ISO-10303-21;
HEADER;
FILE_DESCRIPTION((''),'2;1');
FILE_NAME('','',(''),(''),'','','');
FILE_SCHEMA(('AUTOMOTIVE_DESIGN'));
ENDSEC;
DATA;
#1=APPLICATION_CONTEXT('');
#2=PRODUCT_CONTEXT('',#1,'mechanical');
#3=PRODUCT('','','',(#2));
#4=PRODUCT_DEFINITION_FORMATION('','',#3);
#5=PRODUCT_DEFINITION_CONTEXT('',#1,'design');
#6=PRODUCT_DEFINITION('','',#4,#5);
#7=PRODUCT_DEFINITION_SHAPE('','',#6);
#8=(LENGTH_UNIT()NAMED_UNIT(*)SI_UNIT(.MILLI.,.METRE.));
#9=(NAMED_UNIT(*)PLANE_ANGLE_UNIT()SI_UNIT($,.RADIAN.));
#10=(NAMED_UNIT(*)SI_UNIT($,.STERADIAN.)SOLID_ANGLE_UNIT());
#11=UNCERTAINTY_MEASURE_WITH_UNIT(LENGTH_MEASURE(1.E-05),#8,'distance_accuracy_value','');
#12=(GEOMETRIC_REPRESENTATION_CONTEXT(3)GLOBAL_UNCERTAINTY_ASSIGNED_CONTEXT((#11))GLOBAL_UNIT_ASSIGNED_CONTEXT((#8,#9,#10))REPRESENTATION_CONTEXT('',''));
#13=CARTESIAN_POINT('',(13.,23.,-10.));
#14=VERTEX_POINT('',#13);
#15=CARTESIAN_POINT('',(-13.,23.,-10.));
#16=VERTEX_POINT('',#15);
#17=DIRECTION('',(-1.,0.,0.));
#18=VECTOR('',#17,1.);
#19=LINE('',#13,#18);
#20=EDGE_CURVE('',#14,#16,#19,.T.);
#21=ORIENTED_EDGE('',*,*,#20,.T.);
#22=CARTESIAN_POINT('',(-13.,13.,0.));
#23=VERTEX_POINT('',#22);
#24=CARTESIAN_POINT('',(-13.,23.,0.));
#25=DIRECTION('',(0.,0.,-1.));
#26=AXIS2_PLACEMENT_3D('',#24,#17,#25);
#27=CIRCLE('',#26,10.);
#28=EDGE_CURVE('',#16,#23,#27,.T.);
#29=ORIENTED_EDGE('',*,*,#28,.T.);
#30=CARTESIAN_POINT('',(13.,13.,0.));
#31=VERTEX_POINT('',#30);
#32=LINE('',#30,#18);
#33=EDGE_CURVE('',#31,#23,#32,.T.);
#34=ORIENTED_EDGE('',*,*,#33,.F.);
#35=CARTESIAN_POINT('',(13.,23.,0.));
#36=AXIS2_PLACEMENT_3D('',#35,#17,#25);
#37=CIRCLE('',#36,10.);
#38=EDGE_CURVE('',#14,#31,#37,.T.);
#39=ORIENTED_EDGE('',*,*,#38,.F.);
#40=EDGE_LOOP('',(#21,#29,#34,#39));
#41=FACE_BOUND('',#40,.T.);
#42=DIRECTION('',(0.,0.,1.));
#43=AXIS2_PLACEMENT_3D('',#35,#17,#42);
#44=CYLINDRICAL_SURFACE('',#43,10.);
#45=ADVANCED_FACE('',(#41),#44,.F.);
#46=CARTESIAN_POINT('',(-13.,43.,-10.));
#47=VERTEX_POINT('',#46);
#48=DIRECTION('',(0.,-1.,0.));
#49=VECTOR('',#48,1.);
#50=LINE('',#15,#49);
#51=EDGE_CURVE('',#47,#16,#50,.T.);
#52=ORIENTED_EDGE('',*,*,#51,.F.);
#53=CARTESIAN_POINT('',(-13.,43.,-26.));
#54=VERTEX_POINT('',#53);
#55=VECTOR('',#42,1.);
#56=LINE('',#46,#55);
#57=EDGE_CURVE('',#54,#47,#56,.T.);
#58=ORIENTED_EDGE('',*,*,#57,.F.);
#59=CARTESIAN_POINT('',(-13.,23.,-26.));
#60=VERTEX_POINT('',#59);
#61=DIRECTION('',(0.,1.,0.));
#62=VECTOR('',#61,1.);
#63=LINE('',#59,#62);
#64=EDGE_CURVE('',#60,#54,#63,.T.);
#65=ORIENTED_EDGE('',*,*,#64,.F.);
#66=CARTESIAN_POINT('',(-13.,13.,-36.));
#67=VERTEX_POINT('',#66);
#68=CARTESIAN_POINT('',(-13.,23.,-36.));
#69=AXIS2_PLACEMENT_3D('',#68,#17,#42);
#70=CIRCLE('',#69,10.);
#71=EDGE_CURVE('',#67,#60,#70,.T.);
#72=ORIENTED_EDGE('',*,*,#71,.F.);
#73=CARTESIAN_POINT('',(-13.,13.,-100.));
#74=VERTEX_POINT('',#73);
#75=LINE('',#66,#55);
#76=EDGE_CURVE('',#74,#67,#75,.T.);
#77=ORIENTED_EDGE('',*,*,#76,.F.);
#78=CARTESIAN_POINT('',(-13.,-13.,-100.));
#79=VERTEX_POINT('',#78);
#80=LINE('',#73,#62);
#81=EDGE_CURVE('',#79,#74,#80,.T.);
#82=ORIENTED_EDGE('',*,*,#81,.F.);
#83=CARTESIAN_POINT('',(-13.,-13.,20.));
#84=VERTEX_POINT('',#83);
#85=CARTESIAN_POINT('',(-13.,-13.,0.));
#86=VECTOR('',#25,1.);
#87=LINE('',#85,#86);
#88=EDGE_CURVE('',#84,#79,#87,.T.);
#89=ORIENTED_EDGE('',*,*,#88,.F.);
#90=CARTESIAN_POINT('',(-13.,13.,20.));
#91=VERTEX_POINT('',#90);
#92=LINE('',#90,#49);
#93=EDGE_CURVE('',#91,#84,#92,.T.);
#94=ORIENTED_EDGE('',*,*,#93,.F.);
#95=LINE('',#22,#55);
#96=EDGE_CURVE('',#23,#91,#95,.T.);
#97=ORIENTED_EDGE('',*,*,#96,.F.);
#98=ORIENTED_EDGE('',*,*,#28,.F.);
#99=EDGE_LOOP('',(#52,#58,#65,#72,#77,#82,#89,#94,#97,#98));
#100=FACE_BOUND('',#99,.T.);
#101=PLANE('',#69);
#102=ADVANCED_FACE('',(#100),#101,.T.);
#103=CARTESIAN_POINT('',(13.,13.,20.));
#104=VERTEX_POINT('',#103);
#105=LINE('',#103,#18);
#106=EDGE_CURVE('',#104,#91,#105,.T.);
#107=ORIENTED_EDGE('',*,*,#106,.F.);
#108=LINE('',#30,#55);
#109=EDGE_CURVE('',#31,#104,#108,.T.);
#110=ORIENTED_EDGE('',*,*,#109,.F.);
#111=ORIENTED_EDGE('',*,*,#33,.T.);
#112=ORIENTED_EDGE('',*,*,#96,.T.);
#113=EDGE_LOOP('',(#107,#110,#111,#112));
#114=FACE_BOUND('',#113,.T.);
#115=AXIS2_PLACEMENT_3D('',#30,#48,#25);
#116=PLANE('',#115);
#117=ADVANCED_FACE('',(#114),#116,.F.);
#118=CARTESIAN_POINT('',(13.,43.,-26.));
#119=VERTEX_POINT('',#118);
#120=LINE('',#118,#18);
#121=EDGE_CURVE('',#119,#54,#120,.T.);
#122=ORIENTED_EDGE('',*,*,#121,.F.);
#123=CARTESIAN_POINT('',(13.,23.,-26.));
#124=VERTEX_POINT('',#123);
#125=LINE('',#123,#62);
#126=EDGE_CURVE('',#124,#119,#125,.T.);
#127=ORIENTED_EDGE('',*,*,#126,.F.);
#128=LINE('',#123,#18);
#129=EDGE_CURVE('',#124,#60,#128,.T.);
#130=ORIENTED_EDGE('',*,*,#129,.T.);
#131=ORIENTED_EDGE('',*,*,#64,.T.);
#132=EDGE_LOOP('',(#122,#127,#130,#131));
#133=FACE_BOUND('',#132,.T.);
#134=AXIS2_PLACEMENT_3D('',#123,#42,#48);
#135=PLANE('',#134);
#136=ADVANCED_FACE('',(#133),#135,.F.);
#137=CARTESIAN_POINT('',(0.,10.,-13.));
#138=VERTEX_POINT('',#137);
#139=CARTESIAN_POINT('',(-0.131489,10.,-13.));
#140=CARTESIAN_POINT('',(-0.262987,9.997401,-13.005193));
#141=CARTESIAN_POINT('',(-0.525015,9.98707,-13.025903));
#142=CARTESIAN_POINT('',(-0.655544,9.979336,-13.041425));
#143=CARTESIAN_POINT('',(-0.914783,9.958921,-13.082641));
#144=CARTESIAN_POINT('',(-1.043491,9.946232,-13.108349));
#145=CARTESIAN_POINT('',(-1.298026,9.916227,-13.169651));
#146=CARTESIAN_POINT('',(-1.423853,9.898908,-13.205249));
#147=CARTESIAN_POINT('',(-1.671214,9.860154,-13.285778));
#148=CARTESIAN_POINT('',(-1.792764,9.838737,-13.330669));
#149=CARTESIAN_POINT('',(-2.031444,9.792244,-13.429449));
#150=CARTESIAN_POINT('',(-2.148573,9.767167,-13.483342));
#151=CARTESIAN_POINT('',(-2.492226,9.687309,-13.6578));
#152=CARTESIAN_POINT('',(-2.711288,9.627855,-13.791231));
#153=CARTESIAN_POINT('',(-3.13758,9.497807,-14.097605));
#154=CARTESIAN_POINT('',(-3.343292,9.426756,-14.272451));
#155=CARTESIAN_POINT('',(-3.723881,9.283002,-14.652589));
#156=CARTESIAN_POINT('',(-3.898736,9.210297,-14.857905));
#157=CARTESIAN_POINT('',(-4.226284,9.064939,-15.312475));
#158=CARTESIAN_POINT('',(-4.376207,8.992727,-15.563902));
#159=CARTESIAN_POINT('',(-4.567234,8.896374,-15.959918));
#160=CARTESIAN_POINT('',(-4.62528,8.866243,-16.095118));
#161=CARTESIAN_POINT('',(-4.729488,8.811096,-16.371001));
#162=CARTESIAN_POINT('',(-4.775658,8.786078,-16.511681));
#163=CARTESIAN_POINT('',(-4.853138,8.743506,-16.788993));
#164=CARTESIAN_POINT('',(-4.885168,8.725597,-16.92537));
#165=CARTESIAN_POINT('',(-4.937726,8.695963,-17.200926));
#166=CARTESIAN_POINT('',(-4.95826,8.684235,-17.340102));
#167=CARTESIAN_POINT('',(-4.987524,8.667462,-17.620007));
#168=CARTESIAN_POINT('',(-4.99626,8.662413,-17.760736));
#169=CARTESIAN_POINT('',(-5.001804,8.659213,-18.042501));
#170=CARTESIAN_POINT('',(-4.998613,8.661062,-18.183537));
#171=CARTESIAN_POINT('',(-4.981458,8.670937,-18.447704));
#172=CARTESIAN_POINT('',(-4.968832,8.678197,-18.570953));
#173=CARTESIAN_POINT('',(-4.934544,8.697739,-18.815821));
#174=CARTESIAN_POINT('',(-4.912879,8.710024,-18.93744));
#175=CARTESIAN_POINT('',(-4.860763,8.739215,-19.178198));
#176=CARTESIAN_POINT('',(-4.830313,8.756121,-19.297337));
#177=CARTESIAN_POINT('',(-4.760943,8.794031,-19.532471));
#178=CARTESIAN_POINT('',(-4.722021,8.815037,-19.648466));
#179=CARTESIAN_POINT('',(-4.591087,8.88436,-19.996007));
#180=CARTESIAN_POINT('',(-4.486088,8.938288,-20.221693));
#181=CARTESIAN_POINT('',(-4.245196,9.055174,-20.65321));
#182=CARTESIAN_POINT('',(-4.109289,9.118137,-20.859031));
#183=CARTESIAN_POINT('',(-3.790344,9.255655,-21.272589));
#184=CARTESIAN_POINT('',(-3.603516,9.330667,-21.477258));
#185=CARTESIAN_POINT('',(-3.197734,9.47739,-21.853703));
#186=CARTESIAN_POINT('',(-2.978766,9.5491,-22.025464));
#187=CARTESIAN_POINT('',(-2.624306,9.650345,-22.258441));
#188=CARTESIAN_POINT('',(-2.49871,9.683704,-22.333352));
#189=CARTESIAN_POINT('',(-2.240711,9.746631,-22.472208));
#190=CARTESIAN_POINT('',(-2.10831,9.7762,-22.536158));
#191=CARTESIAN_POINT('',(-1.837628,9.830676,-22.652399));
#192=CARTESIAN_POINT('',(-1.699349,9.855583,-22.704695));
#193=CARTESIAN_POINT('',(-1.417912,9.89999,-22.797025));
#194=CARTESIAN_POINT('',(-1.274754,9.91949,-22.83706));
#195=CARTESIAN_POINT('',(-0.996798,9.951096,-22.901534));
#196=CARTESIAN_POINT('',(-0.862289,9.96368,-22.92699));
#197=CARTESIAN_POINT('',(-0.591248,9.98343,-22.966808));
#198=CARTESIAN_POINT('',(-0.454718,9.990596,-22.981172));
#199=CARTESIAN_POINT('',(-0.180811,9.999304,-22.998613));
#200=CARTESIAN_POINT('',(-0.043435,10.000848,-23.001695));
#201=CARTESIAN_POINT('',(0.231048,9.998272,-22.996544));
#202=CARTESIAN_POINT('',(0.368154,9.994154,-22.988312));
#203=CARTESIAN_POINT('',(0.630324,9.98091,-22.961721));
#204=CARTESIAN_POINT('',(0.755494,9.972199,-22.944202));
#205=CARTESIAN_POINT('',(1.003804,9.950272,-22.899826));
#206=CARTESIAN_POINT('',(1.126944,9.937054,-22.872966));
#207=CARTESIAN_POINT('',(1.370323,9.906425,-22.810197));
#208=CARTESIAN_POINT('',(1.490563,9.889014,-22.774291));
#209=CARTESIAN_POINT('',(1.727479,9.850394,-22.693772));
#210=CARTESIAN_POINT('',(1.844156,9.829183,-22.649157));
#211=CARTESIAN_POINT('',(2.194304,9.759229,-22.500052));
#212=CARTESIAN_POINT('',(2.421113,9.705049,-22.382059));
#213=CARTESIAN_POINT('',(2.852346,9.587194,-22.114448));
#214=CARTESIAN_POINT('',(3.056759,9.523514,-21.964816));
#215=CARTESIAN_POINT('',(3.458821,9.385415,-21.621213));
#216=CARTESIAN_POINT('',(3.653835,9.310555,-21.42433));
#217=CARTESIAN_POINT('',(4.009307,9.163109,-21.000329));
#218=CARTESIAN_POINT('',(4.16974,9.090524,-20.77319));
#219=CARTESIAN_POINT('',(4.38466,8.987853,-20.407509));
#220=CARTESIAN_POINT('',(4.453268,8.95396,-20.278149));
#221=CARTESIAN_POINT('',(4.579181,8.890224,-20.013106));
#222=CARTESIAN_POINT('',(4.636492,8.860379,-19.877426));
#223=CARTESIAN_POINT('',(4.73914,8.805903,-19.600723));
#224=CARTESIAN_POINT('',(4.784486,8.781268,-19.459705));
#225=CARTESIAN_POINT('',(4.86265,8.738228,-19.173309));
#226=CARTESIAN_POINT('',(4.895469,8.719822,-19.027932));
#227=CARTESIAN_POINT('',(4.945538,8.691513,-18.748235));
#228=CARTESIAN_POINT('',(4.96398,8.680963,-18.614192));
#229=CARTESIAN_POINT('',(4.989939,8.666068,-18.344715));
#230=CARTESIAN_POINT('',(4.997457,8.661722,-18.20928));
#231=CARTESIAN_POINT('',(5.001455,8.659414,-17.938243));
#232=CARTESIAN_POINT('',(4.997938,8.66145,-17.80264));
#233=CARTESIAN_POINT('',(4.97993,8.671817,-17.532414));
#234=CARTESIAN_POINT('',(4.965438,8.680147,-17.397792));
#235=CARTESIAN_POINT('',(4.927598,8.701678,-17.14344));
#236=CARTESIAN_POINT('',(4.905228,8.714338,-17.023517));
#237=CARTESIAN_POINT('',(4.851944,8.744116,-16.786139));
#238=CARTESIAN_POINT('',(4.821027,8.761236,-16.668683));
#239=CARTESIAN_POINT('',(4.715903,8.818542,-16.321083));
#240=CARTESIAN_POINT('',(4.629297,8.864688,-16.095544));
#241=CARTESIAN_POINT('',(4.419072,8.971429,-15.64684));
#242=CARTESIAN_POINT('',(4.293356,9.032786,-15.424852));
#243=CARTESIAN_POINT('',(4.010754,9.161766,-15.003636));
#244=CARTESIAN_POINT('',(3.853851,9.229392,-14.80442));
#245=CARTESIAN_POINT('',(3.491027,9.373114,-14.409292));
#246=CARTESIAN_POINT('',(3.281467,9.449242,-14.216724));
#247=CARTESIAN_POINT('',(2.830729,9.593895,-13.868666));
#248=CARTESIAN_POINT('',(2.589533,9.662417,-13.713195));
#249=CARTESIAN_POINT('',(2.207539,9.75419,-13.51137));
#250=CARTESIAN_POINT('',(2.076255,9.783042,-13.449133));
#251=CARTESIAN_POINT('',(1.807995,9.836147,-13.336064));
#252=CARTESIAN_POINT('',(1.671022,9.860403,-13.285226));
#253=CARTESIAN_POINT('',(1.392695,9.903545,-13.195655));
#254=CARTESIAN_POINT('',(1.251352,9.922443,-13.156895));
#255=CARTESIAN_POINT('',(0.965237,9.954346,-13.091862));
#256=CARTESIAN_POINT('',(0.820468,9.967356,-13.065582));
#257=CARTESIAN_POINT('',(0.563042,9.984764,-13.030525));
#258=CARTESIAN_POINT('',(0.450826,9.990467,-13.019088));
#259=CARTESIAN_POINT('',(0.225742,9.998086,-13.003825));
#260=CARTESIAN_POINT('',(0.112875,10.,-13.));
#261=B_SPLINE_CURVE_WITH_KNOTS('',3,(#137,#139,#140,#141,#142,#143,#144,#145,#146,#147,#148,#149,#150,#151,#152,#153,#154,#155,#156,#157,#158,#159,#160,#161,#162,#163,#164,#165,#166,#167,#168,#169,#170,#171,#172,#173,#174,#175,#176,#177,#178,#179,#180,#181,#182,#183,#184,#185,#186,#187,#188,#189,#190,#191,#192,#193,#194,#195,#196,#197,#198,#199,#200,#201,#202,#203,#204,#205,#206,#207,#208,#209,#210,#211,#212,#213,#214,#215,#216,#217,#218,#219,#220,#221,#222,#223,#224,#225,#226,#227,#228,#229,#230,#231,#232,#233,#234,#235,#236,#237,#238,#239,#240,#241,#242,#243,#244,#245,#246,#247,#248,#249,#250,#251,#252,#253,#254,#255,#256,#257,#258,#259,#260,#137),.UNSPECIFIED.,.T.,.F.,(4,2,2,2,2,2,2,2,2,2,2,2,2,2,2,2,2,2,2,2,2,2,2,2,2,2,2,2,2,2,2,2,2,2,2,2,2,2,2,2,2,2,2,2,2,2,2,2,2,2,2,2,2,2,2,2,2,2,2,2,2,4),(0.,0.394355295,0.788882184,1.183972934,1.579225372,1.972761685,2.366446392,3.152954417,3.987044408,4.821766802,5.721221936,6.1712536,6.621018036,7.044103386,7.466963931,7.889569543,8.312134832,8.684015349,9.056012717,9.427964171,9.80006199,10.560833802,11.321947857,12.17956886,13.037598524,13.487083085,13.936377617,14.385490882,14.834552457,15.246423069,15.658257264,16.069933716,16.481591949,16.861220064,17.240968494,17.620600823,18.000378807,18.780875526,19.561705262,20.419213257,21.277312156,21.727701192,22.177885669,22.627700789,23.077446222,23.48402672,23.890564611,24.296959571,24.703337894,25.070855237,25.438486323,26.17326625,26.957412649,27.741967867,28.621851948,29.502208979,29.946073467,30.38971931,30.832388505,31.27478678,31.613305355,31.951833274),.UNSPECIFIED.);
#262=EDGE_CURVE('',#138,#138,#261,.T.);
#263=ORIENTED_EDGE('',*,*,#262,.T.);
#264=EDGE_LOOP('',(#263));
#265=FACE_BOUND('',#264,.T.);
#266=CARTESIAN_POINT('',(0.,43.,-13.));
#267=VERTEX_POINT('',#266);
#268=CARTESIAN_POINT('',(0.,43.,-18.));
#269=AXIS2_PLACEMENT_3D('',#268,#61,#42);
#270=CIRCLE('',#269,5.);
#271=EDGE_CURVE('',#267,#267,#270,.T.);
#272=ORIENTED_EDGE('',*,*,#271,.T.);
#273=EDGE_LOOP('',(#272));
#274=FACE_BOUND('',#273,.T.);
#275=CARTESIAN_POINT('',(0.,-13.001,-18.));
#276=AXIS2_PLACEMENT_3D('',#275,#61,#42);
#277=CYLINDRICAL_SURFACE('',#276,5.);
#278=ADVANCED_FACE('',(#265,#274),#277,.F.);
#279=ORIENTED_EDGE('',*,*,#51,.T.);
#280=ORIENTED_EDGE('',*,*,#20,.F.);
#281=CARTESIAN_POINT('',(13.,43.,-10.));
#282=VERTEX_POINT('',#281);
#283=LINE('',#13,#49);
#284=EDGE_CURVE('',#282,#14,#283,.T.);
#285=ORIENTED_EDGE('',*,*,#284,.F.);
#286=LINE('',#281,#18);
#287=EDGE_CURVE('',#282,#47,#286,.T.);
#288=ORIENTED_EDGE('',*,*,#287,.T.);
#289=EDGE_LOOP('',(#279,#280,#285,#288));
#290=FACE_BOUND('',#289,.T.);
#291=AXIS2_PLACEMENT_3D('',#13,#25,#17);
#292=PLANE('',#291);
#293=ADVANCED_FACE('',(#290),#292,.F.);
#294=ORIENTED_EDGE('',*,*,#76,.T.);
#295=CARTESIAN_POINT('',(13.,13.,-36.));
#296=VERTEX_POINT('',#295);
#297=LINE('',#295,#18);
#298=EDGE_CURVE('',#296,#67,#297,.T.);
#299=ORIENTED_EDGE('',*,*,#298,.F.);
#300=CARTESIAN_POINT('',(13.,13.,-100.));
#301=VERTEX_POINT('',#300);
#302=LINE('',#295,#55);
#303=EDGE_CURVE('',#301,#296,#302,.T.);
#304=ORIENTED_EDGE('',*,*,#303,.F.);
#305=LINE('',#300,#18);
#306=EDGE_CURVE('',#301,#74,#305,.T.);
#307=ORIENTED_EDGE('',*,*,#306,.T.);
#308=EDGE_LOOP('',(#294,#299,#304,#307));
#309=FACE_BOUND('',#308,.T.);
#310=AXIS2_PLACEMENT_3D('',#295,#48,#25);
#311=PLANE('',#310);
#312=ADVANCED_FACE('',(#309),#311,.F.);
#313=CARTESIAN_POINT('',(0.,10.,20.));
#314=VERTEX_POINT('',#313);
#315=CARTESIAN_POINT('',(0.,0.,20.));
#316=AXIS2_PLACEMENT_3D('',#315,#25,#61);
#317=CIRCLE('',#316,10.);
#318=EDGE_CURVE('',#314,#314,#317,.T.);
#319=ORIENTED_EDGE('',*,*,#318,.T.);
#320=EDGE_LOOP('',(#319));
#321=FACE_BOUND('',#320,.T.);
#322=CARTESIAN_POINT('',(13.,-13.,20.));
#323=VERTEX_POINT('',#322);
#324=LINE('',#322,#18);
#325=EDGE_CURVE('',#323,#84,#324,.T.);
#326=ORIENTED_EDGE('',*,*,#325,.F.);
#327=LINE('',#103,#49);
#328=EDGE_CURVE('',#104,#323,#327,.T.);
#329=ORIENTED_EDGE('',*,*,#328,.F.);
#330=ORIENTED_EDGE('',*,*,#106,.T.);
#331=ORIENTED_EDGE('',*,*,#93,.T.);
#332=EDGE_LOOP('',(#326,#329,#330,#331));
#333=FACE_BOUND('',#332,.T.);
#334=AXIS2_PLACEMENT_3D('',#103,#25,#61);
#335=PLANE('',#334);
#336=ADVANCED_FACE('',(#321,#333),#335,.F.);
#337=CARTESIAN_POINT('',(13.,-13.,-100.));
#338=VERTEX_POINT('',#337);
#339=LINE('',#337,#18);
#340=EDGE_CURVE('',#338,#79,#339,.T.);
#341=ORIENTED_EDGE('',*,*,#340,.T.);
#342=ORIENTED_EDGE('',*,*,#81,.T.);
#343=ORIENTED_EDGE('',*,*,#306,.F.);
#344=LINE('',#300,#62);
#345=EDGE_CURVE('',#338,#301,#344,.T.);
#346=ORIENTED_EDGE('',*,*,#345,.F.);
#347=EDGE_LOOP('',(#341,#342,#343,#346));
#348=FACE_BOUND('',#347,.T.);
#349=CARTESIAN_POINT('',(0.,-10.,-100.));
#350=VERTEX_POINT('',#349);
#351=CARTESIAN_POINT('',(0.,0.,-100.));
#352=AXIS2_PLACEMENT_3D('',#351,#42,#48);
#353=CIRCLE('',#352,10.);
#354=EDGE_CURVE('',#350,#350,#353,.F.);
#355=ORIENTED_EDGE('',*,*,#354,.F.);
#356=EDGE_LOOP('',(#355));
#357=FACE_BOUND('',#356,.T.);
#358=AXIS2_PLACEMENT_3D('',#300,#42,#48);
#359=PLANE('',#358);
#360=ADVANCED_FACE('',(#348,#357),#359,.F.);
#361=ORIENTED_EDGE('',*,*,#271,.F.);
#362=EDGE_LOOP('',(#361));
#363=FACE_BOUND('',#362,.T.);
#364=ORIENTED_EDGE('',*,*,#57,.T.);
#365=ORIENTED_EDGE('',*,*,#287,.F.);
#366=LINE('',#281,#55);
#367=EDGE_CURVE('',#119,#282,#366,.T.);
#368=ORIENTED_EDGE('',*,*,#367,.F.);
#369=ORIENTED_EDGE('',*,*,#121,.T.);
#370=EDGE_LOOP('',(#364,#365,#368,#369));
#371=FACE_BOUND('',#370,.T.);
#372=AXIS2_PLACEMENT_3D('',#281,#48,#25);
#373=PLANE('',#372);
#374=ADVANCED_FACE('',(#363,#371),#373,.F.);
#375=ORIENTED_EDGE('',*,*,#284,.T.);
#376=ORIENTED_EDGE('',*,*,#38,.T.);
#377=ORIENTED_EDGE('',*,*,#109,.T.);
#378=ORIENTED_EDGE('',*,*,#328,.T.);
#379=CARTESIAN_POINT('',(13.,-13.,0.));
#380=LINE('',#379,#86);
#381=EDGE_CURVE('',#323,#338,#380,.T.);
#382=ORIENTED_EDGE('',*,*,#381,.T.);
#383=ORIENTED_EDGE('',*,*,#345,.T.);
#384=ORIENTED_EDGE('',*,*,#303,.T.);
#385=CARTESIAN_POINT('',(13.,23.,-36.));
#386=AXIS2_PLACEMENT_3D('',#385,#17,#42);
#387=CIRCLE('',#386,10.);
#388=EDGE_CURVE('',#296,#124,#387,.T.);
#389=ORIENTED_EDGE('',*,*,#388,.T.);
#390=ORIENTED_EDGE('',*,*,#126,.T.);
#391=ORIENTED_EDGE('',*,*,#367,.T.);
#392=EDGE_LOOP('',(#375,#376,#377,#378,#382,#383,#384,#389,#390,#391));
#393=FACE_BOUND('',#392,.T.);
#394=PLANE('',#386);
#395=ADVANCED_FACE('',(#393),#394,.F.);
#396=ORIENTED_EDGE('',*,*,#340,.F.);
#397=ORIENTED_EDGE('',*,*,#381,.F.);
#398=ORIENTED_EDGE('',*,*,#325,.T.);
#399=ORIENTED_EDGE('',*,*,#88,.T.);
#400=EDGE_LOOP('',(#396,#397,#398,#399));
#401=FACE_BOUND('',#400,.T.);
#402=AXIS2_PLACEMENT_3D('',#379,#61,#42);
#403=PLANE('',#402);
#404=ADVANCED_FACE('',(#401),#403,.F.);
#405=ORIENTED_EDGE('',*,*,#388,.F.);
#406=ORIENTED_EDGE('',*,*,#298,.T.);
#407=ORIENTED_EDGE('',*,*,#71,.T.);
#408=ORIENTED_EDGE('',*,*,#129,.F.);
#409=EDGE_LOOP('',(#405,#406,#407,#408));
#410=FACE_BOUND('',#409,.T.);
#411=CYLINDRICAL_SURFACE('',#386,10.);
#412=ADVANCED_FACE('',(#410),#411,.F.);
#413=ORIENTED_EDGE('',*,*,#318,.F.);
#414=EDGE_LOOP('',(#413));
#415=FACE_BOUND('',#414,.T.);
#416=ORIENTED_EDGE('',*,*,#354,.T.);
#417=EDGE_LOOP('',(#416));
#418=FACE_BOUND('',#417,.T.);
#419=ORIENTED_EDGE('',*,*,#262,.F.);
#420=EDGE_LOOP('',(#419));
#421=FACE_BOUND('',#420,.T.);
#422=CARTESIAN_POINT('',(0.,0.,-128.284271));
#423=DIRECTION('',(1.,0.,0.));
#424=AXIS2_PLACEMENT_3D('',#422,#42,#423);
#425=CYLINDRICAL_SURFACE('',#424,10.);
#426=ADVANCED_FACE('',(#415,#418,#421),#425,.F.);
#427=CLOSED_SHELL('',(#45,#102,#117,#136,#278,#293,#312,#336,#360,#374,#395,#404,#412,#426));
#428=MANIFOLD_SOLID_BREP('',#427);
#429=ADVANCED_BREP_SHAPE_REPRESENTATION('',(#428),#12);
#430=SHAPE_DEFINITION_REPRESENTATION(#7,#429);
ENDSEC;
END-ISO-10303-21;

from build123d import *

# Parameters (mm, degrees)
BOSS_EXTRUDE1_DEPTH            = 13
BOSS_EXTRUDE1_DEPTH_BACK       = 13
CUT_EXTRUDE1_REACH             = 111.627
SKETCH1_R                      = 10
CUT_EXTRUDE1_DIRECTION_2_REACH = 111.627
CUT_EXTRUDE2_REACH             = 117.347
CUT_EXTRUDE2_END_RADIUS        = 10
SKETCH3_R                      = 5


with BuildPart() as part:
    # Sketch2 → Boss-Extrude1 (new, two sides: drawn at the far end of the back side and taken through both)
    with BuildSketch(Plane(origin=(0, 0, 0), x_dir=(0, 0, -1), z_dir=(1, 0, 0)).offset(-BOSS_EXTRUDE1_DEPTH_BACK)):
        with BuildLine():
            Line((36, 13), (100, 13))
            Line((100, 13), (100, -13))
            Line((100, -13), (0, -13))
            Line((0, -13), (-20, -13))
            Line((-20, -13), (-20, 13))
            Line((-20, 13), (0, 13))
            ThreePointArc((0, 13), (7.071067812, 15.928932188), (10, 23))
            Line((10, 23), (10, 43))
            Line((10, 43), (26, 43))
            Line((26, 43), (26, 23))
            ThreePointArc((26, 23), (28.928932188, 15.928932188), (36, 13))
        make_face()
    extrude(amount=BOSS_EXTRUDE1_DEPTH + BOSS_EXTRUDE1_DEPTH_BACK)

    # Cut-Extrude1: up to this face of the body (flat: up to its plane)
    cut_extrude1_end = Plane(part.part.faces().sort_by_distance((0, 0, -100))[0])
    # Sketch1 → Cut-Extrude1 (cut, up to the picked face)
    with BuildSketch(Plane.XY, mode=Mode.PRIVATE) as cut_extrude1_sk1:
        Circle(SKETCH1_R)
    cut_extrude1_tool1 = split(extrude(cut_extrude1_sk1.sketch, amount=-CUT_EXTRUDE1_REACH, mode=Mode.PRIVATE), bisect_by=cut_extrude1_end, keep=Keep.BOTH, mode=Mode.PRIVATE)
    add(cut_extrude1_tool1.solids().sort_by(Axis((0, 0, 0), (0, 0, -1)))[0], mode=Mode.SUBTRACT)

    # Cut-Extrude1 direction 2: up to this face of the body (flat: up to its plane)
    cut_extrude1_direction_2_end = Plane(part.part.faces().sort_by_distance((0, 0, 20))[0])
    # Sketch1 → Cut-Extrude1 direction 2 (cut, up to the picked face)
    with BuildSketch(Plane.XY, mode=Mode.PRIVATE) as cut_extrude1_direction_2_sk1:
        Circle(SKETCH1_R)
    cut_extrude1_direction_2_tool1 = split(extrude(cut_extrude1_direction_2_sk1.sketch, amount=CUT_EXTRUDE1_DIRECTION_2_REACH, mode=Mode.PRIVATE), bisect_by=cut_extrude1_direction_2_end, keep=Keep.BOTH, mode=Mode.PRIVATE)
    add(cut_extrude1_direction_2_tool1.solids().sort_by(Axis((0, 0, 0), (0, 0, 1)))[0], mode=Mode.SUBTRACT)

    # Cut-Extrude2: up to this cylinder (the profile starts outside it)
    cut_extrude2_end = Plane(origin=(0, 0, -18), z_dir=(0, 0, 1)) * Cylinder(CUT_EXTRUDE2_END_RADIUS, 255.694, mode=Mode.PRIVATE)
    # Sketch3 → Cut-Extrude2 (cut, up to the surface)
    with BuildSketch(Plane(origin=(0, 43, 0), x_dir=(1, 0, 0), z_dir=(0, 1, 0)), mode=Mode.PRIVATE) as cut_extrude2_sk1:
        with Locations(Location((0, 18, 0), (0, 0, 270))):
            Circle(SKETCH3_R)
    cut_extrude2_tool1 = extrude(cut_extrude2_sk1.sketch, amount=-CUT_EXTRUDE2_REACH, mode=Mode.PRIVATE) - cut_extrude2_end
    add(cut_extrude2_tool1.solids().sort_by_distance((0, 43, -18))[0], mode=Mode.SUBTRACT)


solid = part.part
